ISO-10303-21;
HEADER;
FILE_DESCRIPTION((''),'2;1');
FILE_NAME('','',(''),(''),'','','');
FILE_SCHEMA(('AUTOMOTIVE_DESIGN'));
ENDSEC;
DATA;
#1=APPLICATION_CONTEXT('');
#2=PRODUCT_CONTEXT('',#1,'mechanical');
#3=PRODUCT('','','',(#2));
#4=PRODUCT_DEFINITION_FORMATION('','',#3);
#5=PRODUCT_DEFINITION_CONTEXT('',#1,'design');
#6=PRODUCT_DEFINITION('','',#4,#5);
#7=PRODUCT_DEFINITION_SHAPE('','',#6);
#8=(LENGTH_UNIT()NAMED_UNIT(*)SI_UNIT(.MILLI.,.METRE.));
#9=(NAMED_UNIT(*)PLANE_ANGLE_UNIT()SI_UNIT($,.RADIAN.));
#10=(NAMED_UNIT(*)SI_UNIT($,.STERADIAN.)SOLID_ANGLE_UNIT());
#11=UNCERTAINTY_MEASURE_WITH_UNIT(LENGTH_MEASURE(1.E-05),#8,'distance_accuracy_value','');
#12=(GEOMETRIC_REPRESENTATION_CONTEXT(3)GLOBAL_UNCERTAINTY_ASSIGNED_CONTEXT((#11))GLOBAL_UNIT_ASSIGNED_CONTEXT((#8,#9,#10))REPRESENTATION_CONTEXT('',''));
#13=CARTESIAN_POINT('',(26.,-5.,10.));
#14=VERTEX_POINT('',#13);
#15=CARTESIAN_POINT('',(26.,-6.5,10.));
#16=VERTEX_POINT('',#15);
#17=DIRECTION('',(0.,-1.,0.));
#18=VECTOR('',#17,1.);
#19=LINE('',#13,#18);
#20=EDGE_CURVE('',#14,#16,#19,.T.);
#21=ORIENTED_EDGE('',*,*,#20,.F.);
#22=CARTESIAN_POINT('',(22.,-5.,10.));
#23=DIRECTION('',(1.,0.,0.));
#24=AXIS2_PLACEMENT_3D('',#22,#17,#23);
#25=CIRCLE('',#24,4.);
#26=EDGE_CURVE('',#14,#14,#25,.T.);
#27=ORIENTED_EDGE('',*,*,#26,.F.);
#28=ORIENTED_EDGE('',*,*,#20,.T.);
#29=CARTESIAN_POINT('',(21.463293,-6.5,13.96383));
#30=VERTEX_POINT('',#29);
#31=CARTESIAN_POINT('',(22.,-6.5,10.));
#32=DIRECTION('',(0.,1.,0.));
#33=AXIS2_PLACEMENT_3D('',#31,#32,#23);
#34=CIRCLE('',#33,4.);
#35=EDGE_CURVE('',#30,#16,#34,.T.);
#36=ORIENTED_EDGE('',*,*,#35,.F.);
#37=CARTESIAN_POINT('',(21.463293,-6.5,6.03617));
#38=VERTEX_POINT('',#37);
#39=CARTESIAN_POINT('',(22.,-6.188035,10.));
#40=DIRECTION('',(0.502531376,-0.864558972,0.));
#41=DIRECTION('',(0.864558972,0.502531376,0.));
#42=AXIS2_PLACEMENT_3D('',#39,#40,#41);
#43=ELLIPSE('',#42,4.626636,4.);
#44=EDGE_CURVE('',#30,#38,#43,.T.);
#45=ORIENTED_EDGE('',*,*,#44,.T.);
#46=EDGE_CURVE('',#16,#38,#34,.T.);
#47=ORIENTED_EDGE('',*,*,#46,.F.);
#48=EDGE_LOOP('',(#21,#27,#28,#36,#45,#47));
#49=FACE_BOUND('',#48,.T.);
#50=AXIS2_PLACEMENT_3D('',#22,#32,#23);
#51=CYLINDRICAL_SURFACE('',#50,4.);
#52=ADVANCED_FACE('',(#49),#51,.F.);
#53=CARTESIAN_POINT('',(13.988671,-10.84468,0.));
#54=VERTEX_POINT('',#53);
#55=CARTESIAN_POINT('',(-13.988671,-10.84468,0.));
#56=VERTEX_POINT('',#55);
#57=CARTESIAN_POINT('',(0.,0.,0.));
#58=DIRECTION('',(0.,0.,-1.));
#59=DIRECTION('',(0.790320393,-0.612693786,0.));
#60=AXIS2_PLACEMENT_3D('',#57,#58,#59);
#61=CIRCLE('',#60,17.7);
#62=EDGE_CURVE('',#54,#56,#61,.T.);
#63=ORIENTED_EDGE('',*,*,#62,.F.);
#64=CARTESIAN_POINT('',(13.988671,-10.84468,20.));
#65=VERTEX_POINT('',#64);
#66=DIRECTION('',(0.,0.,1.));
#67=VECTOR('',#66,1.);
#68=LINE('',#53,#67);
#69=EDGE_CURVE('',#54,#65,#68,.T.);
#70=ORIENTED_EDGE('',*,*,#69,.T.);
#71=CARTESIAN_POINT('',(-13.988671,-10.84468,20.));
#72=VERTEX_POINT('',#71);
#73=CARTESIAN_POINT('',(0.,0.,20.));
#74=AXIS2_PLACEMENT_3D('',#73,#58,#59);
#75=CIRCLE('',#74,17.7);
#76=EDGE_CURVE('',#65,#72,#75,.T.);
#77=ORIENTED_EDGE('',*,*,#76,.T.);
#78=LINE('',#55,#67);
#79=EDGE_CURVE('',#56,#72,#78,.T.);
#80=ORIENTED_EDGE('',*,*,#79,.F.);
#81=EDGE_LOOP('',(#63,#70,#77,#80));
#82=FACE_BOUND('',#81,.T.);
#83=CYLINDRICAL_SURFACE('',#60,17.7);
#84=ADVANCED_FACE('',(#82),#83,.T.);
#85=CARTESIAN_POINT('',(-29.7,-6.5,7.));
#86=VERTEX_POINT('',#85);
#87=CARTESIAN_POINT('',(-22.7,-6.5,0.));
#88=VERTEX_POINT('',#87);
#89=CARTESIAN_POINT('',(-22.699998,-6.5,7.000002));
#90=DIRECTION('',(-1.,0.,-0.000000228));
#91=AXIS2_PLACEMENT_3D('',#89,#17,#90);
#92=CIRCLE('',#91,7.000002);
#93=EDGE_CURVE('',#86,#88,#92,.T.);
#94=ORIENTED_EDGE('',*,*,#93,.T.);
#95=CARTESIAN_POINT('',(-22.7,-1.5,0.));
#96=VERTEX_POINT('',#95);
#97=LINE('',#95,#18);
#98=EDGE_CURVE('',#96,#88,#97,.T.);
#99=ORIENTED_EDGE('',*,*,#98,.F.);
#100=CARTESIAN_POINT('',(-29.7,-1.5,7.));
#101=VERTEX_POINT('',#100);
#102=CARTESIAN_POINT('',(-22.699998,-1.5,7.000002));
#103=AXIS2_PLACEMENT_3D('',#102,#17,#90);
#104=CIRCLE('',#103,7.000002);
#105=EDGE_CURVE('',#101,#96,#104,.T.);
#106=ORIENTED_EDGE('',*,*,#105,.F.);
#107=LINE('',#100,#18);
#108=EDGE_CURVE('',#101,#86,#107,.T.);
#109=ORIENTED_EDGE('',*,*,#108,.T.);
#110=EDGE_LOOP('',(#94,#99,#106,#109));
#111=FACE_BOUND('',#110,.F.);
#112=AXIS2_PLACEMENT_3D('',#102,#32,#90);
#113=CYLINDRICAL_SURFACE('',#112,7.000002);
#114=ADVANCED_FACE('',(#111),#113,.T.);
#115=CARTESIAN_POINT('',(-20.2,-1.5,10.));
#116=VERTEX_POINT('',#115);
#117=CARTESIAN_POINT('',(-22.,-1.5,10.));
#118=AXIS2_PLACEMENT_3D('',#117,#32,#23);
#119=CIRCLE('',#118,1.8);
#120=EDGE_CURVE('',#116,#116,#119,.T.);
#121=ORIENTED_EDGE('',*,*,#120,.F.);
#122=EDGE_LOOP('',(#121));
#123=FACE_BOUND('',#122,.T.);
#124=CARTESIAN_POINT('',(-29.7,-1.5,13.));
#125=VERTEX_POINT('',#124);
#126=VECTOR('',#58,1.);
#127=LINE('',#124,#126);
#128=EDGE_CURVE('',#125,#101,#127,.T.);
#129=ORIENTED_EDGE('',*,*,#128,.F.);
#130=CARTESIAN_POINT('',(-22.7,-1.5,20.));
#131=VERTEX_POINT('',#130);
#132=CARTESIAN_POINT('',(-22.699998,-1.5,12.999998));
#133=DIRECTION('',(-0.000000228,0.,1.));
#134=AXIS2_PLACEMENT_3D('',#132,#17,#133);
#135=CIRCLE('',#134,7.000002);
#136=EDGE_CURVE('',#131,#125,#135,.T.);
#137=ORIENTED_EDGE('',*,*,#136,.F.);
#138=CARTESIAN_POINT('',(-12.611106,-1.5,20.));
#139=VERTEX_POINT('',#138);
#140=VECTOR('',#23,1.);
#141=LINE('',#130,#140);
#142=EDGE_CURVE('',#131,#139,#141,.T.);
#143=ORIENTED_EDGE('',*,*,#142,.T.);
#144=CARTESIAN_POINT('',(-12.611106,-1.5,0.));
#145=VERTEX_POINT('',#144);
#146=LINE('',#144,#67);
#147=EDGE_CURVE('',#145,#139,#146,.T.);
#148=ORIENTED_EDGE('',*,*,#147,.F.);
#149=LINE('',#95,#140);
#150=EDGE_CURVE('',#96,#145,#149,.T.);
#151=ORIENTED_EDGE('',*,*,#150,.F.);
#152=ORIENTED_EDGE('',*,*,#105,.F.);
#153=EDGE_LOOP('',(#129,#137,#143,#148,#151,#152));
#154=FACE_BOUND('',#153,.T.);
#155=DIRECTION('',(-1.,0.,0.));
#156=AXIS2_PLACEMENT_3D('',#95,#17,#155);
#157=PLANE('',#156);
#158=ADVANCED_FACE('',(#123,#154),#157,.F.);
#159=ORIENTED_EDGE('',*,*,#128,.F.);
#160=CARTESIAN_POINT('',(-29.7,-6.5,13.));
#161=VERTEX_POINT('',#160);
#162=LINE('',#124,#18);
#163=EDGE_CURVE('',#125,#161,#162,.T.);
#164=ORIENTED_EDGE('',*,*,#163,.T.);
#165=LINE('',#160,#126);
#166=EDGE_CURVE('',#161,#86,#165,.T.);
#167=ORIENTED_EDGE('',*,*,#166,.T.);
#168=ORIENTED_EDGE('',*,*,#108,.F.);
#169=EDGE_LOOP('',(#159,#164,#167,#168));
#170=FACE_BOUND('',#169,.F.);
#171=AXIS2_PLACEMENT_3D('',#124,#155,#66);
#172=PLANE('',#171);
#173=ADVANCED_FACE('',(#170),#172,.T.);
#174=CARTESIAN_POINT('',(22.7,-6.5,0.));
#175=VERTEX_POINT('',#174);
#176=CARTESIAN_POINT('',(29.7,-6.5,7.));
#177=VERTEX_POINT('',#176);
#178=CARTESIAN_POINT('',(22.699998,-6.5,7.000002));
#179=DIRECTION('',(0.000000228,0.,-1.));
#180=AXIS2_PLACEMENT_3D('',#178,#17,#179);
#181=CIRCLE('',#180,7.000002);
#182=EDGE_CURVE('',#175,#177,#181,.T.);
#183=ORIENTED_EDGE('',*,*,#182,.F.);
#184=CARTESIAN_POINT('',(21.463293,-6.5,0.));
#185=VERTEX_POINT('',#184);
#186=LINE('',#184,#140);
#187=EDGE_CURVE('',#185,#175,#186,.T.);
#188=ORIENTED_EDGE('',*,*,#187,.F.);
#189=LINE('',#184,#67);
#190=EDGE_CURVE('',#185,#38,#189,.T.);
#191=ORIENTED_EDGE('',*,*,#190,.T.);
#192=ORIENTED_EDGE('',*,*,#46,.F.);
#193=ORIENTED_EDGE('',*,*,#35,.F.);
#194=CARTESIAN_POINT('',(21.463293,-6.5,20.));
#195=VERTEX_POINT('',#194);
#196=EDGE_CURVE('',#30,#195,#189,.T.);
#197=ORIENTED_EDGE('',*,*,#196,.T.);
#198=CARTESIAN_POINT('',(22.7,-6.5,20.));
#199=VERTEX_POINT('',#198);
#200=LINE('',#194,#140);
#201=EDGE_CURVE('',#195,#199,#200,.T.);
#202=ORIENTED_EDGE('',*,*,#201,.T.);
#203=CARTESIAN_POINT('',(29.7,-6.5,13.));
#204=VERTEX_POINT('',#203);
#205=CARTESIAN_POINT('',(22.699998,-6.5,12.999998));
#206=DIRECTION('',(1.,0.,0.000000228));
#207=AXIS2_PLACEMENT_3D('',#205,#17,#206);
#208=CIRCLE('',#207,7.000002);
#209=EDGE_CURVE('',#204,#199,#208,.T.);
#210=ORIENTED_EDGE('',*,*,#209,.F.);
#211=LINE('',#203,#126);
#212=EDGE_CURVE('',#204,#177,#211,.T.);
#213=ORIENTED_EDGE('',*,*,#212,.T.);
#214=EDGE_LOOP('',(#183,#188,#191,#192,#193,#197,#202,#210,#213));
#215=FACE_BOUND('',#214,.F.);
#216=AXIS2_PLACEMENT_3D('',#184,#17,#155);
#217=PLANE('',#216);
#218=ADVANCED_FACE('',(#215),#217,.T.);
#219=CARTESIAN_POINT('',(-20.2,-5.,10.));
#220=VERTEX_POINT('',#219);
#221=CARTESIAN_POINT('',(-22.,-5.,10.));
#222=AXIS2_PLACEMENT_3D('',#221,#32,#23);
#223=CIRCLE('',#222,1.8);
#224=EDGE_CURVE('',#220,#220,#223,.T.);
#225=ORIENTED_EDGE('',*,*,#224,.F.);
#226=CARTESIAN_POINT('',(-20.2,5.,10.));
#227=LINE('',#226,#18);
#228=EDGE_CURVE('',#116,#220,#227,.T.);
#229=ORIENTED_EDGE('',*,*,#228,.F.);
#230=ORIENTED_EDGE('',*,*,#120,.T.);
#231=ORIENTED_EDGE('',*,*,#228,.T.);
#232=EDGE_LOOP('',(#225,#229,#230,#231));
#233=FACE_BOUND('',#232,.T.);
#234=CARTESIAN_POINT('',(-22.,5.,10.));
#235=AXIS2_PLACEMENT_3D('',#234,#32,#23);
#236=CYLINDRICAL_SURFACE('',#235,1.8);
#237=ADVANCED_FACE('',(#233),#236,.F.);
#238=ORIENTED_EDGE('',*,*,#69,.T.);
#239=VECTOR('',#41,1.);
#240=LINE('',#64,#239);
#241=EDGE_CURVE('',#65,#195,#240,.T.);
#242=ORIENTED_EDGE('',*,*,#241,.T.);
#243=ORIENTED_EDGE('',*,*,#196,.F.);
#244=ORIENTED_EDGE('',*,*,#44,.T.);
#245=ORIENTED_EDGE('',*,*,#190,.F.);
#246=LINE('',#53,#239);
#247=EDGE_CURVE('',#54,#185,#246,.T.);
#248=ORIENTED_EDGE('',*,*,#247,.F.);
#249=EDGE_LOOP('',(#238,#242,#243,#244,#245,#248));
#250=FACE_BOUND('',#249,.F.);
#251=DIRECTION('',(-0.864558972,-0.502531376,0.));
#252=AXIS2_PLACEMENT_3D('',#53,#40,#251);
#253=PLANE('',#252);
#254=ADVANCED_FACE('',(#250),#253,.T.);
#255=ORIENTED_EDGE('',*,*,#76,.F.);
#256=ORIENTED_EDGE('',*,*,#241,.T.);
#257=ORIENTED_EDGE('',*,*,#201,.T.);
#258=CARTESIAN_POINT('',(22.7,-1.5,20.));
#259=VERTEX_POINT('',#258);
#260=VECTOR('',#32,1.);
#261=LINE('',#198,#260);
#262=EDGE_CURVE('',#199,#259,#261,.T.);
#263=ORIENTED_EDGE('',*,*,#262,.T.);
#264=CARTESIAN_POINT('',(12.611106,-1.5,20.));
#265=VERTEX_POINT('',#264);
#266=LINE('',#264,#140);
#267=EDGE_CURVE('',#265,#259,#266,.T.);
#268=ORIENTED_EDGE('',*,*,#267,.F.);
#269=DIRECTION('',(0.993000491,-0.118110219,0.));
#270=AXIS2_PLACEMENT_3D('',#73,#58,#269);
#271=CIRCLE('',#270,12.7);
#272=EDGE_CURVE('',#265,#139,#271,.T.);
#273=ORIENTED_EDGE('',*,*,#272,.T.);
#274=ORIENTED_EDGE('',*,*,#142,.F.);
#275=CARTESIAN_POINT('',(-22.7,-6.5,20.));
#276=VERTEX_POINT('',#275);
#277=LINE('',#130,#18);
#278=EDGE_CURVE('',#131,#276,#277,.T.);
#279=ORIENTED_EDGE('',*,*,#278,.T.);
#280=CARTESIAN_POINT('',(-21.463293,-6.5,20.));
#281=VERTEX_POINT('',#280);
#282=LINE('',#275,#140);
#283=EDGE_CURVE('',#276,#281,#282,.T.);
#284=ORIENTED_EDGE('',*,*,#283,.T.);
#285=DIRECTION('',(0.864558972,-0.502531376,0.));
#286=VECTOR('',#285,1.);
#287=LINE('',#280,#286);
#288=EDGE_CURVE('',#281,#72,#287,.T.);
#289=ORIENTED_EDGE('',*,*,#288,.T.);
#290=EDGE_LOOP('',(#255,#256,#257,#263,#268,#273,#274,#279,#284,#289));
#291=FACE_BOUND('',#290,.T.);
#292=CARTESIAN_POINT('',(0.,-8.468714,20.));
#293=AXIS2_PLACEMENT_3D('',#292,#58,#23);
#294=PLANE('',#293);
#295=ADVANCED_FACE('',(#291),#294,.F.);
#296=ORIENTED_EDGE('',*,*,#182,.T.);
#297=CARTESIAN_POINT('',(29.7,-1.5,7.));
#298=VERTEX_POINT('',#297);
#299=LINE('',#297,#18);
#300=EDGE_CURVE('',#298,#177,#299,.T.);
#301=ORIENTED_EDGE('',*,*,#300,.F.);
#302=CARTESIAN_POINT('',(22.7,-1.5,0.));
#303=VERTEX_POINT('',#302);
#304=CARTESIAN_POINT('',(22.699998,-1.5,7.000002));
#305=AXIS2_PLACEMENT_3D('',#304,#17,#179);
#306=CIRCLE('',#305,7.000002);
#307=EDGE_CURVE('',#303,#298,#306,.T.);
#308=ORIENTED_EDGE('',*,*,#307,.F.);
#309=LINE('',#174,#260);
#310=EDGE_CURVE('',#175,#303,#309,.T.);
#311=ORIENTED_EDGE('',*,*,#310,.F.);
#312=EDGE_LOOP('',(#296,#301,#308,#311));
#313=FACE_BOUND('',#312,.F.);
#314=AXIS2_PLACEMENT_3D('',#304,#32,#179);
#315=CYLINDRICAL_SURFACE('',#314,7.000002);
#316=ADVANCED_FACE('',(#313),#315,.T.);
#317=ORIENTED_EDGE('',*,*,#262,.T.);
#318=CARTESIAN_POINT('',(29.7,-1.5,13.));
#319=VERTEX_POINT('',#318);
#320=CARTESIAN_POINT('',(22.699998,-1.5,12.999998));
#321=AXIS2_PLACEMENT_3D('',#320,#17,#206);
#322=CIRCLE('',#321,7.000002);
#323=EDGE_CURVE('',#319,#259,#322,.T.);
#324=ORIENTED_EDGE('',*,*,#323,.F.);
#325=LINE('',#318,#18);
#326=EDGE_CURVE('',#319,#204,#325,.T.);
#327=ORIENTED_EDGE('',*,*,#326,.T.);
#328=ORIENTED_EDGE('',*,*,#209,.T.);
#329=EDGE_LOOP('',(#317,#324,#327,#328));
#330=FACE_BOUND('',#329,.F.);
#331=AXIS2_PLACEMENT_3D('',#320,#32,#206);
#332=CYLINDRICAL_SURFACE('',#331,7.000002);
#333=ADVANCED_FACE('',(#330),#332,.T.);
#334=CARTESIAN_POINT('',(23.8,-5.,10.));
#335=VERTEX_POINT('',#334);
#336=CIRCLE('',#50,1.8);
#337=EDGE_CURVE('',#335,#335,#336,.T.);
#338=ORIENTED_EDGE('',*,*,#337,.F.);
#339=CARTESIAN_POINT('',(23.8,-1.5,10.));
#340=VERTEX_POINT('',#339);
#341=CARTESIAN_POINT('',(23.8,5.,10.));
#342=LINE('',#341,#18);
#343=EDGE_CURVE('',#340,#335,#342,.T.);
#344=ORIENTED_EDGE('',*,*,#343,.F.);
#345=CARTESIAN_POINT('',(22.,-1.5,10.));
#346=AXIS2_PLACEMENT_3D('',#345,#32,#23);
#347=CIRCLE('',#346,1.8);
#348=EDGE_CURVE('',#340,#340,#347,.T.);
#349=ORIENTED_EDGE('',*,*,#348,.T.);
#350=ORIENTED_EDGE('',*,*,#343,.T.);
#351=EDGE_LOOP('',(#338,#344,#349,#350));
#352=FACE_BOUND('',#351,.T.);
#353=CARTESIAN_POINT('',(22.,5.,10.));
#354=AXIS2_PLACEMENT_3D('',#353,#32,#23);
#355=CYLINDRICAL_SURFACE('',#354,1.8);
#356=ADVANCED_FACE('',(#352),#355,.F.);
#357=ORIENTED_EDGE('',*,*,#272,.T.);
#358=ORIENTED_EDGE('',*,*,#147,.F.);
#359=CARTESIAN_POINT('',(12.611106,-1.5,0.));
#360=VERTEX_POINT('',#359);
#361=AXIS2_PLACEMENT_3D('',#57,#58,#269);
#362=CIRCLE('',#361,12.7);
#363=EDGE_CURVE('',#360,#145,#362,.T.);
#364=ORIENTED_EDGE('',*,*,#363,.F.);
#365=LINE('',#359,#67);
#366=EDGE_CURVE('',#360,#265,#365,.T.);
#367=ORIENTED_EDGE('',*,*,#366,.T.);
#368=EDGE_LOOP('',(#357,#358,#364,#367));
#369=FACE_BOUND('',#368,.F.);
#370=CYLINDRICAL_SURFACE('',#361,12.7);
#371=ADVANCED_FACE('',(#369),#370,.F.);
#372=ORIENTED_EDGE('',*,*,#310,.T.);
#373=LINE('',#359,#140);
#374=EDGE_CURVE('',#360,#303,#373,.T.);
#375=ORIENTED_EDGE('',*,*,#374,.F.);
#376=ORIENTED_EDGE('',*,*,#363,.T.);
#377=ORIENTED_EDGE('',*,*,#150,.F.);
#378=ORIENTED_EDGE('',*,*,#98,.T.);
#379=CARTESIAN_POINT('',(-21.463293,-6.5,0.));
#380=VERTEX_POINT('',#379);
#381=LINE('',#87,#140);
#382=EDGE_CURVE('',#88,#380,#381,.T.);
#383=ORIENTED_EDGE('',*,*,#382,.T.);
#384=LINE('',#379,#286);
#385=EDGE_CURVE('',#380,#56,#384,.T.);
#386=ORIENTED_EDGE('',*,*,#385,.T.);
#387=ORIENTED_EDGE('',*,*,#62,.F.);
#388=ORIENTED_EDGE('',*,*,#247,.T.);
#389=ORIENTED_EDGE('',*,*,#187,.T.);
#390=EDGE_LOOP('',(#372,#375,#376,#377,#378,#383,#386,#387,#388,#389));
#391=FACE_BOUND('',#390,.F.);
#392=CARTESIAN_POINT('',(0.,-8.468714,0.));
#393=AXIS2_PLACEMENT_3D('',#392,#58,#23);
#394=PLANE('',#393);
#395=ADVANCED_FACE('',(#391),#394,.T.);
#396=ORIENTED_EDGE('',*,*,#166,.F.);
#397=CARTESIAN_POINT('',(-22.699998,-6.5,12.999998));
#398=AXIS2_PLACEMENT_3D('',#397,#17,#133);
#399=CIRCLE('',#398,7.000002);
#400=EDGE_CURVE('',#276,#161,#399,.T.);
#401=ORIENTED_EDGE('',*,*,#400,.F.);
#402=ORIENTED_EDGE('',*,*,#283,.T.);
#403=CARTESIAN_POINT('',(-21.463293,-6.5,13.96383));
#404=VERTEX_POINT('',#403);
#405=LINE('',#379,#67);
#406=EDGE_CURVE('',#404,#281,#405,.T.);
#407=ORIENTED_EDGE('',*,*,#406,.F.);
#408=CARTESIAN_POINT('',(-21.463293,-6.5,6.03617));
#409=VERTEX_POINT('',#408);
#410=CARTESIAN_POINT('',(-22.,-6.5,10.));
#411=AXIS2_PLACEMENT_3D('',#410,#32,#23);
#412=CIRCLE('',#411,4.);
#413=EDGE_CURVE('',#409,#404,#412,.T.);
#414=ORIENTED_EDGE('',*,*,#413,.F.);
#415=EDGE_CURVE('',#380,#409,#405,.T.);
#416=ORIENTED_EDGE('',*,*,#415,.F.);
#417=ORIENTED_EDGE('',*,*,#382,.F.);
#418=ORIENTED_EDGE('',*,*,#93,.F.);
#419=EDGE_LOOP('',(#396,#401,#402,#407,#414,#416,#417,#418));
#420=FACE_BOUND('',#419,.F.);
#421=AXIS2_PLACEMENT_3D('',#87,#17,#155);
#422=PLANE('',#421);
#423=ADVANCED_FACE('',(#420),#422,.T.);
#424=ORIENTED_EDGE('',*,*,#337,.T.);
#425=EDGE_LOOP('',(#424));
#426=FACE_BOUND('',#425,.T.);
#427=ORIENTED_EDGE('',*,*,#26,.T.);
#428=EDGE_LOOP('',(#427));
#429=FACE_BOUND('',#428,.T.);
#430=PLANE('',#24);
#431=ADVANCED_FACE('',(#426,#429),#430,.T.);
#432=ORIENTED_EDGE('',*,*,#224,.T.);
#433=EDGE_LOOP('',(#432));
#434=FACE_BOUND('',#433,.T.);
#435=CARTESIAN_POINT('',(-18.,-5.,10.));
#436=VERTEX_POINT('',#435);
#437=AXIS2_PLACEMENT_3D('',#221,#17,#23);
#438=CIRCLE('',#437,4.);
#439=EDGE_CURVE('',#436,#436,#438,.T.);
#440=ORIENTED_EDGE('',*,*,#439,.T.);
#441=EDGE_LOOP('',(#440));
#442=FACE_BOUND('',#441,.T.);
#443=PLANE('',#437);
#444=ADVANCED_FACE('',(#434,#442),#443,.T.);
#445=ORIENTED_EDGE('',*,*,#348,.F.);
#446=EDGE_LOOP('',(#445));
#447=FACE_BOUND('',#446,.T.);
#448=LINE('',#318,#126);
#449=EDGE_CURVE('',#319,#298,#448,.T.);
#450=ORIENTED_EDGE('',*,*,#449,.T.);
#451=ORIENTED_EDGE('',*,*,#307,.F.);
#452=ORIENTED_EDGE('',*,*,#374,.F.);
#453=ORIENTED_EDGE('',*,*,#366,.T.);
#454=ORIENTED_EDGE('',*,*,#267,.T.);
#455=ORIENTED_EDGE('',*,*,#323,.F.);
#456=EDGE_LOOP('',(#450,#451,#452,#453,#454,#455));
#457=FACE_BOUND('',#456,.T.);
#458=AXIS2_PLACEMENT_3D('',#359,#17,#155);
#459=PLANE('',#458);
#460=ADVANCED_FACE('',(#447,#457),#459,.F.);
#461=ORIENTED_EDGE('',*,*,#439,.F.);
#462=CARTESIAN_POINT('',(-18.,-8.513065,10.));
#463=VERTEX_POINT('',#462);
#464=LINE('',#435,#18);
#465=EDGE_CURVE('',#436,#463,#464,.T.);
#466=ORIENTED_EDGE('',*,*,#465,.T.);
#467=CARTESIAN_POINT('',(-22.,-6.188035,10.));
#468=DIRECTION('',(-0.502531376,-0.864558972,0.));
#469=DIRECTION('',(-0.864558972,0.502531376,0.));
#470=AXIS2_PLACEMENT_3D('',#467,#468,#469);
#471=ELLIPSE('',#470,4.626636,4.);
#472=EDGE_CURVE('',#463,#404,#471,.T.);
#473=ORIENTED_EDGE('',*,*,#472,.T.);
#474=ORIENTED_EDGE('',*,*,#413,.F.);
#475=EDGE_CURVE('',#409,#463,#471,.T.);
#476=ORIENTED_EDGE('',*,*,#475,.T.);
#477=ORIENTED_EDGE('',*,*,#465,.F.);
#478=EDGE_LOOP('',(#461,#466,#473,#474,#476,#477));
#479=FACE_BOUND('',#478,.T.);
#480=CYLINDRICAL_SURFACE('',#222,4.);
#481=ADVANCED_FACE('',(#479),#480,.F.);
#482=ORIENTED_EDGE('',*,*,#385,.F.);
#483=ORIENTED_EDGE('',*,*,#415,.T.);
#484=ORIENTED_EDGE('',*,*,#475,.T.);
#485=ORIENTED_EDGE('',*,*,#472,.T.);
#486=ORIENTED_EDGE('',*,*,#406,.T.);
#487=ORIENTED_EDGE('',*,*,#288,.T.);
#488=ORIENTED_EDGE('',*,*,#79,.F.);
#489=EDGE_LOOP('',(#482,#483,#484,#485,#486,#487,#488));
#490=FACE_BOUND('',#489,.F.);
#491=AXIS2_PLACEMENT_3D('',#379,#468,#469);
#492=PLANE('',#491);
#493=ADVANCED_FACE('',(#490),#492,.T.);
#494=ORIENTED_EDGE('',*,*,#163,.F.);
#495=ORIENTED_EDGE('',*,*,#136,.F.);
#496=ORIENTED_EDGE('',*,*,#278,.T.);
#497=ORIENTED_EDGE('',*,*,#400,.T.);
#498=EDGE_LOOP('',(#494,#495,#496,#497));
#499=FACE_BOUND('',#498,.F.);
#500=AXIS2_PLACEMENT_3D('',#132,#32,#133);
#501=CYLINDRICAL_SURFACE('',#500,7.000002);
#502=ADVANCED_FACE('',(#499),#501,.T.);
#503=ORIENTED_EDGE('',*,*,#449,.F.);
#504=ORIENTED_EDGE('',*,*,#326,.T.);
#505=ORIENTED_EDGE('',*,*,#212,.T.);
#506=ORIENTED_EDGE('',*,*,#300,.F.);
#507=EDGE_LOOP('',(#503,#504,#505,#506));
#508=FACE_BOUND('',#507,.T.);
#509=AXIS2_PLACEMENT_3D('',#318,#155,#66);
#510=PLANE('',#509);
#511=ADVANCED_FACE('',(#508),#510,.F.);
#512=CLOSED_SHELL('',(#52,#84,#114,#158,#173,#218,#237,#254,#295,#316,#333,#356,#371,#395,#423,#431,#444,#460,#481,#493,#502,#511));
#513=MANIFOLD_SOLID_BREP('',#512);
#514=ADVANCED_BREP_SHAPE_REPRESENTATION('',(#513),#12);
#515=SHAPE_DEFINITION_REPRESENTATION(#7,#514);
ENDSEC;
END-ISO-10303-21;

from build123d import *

# Parameters (mm, degrees)
CYLINDER001_R     = 4
CYLINDER001_DEPTH = 20
CYLINDER_R        = 1.8
CYLINDER_DEPTH    = 20
ARRAY_X_COUNT     = 2
ARRAY_X_PITCH     = 44
PAD_DEPTH         = 20
PAD001_DEPTH      = 5


with BuildPart() as bolt_head_hole:
    # Cylinder001 → Cylinder001 (new body)
    with BuildSketch(Plane.XZ):
        Circle(CYLINDER001_R)
    extrude(amount=CYLINDER001_DEPTH)


with BuildPart() as bolt_hole_array:
    # Cylinder → Cylinder (new body)
    with BuildSketch(Plane.XZ.offset(-10)):
        Circle(CYLINDER_R)
    extrude(amount=CYLINDER_DEPTH)

    # Fusion: union bolt head hole
    add(bolt_head_hole.part)

    # Array X: bolt hole array ×2


with BuildPart() as bolt_hole_array_1:
    add(bolt_hole_array.part)
    with Locations(*[(i * ARRAY_X_PITCH, 0, 0) for i in range(1, ARRAY_X_COUNT)]):
        add(bolt_hole_array.part)


with BuildPart() as bolt_hole_array_2:
    # Array placement: moved
    add(bolt_hole_array_1.part.moved(Location((-22, -5, 10))))


with BuildPart() as f_25_mm_attachment_body:
    # Sketch → Pad (new body)
    with BuildSketch(Plane.XY):
        with BuildLine():
            ThreePointArc((12.611106, 1.5), (0, 12.7), (-12.611106, 1.5))
            Line((-22.7, 1.5), (-12.611106, 1.5))
            Line((-22.7, 1.5), (-22.7, 6.5))
            Line((-22.7, 6.5), (-21.463293, 6.5))
            Line((-21.463293, 6.5), (-13.988671, 10.84468))
            ThreePointArc((13.988671, 10.84468), (0, 17.7), (-13.988671, 10.84468))
            Line((13.988671, 10.84468), (21.463293, 6.5))
            Line((21.463293, 6.5), (22.7, 6.5))
            Line((22.7, 6.5), (22.7, 1.5))
            Line((12.611106, 1.5), (22.7, 1.5))
        make_face()
    extrude(amount=PAD_DEPTH)

    # Sketch001 → Pad001 (join)
    with BuildSketch(Plane.XZ.offset(-1.5)):
        with BuildLine():
            Line((-12.611106, 20), (-22.7, 20))
            ThreePointArc((-22.7, 20), (-27.649747, 17.949747), (-29.7, 13))
            Line((-29.7, 13), (-29.7, 7))
            ThreePointArc((-29.7, 7), (-27.649747, 2.050253), (-22.7, 0))
            Line((-12.611106, 0), (-22.7, 0))
            Line((-12.611106, 20), (-12.611106, 0))
        make_face()
        with BuildLine():
            Line((12.611106, 20), (22.7, 20))
            ThreePointArc((29.7, 13), (27.649747, 17.949747), (22.7, 20))
            Line((29.7, 13), (29.7, 7))
            ThreePointArc((22.7, 0), (27.649747, 2.050253), (29.7, 7))
            Line((22.7, 0), (12.611106, 0))
            Line((12.611106, 20), (12.611106, 0))
        make_face()
    extrude(amount=-PAD001_DEPTH)


with BuildPart() as f_25_mm_attachment_holed_clone:
    # Part__Mirroring: instance of 25 mm attachment body
    add(f_25_mm_attachment_body.part.mirror(Plane(origin=(0, 0, 0), x_dir=(1, 0, 0), z_dir=(0, 1, 0))))

    # Cut: cut bolt hole array
    add(bolt_hole_array_2.part, mode=Mode.SUBTRACT)


solid = f_25_mm_attachment_holed_clone.part
